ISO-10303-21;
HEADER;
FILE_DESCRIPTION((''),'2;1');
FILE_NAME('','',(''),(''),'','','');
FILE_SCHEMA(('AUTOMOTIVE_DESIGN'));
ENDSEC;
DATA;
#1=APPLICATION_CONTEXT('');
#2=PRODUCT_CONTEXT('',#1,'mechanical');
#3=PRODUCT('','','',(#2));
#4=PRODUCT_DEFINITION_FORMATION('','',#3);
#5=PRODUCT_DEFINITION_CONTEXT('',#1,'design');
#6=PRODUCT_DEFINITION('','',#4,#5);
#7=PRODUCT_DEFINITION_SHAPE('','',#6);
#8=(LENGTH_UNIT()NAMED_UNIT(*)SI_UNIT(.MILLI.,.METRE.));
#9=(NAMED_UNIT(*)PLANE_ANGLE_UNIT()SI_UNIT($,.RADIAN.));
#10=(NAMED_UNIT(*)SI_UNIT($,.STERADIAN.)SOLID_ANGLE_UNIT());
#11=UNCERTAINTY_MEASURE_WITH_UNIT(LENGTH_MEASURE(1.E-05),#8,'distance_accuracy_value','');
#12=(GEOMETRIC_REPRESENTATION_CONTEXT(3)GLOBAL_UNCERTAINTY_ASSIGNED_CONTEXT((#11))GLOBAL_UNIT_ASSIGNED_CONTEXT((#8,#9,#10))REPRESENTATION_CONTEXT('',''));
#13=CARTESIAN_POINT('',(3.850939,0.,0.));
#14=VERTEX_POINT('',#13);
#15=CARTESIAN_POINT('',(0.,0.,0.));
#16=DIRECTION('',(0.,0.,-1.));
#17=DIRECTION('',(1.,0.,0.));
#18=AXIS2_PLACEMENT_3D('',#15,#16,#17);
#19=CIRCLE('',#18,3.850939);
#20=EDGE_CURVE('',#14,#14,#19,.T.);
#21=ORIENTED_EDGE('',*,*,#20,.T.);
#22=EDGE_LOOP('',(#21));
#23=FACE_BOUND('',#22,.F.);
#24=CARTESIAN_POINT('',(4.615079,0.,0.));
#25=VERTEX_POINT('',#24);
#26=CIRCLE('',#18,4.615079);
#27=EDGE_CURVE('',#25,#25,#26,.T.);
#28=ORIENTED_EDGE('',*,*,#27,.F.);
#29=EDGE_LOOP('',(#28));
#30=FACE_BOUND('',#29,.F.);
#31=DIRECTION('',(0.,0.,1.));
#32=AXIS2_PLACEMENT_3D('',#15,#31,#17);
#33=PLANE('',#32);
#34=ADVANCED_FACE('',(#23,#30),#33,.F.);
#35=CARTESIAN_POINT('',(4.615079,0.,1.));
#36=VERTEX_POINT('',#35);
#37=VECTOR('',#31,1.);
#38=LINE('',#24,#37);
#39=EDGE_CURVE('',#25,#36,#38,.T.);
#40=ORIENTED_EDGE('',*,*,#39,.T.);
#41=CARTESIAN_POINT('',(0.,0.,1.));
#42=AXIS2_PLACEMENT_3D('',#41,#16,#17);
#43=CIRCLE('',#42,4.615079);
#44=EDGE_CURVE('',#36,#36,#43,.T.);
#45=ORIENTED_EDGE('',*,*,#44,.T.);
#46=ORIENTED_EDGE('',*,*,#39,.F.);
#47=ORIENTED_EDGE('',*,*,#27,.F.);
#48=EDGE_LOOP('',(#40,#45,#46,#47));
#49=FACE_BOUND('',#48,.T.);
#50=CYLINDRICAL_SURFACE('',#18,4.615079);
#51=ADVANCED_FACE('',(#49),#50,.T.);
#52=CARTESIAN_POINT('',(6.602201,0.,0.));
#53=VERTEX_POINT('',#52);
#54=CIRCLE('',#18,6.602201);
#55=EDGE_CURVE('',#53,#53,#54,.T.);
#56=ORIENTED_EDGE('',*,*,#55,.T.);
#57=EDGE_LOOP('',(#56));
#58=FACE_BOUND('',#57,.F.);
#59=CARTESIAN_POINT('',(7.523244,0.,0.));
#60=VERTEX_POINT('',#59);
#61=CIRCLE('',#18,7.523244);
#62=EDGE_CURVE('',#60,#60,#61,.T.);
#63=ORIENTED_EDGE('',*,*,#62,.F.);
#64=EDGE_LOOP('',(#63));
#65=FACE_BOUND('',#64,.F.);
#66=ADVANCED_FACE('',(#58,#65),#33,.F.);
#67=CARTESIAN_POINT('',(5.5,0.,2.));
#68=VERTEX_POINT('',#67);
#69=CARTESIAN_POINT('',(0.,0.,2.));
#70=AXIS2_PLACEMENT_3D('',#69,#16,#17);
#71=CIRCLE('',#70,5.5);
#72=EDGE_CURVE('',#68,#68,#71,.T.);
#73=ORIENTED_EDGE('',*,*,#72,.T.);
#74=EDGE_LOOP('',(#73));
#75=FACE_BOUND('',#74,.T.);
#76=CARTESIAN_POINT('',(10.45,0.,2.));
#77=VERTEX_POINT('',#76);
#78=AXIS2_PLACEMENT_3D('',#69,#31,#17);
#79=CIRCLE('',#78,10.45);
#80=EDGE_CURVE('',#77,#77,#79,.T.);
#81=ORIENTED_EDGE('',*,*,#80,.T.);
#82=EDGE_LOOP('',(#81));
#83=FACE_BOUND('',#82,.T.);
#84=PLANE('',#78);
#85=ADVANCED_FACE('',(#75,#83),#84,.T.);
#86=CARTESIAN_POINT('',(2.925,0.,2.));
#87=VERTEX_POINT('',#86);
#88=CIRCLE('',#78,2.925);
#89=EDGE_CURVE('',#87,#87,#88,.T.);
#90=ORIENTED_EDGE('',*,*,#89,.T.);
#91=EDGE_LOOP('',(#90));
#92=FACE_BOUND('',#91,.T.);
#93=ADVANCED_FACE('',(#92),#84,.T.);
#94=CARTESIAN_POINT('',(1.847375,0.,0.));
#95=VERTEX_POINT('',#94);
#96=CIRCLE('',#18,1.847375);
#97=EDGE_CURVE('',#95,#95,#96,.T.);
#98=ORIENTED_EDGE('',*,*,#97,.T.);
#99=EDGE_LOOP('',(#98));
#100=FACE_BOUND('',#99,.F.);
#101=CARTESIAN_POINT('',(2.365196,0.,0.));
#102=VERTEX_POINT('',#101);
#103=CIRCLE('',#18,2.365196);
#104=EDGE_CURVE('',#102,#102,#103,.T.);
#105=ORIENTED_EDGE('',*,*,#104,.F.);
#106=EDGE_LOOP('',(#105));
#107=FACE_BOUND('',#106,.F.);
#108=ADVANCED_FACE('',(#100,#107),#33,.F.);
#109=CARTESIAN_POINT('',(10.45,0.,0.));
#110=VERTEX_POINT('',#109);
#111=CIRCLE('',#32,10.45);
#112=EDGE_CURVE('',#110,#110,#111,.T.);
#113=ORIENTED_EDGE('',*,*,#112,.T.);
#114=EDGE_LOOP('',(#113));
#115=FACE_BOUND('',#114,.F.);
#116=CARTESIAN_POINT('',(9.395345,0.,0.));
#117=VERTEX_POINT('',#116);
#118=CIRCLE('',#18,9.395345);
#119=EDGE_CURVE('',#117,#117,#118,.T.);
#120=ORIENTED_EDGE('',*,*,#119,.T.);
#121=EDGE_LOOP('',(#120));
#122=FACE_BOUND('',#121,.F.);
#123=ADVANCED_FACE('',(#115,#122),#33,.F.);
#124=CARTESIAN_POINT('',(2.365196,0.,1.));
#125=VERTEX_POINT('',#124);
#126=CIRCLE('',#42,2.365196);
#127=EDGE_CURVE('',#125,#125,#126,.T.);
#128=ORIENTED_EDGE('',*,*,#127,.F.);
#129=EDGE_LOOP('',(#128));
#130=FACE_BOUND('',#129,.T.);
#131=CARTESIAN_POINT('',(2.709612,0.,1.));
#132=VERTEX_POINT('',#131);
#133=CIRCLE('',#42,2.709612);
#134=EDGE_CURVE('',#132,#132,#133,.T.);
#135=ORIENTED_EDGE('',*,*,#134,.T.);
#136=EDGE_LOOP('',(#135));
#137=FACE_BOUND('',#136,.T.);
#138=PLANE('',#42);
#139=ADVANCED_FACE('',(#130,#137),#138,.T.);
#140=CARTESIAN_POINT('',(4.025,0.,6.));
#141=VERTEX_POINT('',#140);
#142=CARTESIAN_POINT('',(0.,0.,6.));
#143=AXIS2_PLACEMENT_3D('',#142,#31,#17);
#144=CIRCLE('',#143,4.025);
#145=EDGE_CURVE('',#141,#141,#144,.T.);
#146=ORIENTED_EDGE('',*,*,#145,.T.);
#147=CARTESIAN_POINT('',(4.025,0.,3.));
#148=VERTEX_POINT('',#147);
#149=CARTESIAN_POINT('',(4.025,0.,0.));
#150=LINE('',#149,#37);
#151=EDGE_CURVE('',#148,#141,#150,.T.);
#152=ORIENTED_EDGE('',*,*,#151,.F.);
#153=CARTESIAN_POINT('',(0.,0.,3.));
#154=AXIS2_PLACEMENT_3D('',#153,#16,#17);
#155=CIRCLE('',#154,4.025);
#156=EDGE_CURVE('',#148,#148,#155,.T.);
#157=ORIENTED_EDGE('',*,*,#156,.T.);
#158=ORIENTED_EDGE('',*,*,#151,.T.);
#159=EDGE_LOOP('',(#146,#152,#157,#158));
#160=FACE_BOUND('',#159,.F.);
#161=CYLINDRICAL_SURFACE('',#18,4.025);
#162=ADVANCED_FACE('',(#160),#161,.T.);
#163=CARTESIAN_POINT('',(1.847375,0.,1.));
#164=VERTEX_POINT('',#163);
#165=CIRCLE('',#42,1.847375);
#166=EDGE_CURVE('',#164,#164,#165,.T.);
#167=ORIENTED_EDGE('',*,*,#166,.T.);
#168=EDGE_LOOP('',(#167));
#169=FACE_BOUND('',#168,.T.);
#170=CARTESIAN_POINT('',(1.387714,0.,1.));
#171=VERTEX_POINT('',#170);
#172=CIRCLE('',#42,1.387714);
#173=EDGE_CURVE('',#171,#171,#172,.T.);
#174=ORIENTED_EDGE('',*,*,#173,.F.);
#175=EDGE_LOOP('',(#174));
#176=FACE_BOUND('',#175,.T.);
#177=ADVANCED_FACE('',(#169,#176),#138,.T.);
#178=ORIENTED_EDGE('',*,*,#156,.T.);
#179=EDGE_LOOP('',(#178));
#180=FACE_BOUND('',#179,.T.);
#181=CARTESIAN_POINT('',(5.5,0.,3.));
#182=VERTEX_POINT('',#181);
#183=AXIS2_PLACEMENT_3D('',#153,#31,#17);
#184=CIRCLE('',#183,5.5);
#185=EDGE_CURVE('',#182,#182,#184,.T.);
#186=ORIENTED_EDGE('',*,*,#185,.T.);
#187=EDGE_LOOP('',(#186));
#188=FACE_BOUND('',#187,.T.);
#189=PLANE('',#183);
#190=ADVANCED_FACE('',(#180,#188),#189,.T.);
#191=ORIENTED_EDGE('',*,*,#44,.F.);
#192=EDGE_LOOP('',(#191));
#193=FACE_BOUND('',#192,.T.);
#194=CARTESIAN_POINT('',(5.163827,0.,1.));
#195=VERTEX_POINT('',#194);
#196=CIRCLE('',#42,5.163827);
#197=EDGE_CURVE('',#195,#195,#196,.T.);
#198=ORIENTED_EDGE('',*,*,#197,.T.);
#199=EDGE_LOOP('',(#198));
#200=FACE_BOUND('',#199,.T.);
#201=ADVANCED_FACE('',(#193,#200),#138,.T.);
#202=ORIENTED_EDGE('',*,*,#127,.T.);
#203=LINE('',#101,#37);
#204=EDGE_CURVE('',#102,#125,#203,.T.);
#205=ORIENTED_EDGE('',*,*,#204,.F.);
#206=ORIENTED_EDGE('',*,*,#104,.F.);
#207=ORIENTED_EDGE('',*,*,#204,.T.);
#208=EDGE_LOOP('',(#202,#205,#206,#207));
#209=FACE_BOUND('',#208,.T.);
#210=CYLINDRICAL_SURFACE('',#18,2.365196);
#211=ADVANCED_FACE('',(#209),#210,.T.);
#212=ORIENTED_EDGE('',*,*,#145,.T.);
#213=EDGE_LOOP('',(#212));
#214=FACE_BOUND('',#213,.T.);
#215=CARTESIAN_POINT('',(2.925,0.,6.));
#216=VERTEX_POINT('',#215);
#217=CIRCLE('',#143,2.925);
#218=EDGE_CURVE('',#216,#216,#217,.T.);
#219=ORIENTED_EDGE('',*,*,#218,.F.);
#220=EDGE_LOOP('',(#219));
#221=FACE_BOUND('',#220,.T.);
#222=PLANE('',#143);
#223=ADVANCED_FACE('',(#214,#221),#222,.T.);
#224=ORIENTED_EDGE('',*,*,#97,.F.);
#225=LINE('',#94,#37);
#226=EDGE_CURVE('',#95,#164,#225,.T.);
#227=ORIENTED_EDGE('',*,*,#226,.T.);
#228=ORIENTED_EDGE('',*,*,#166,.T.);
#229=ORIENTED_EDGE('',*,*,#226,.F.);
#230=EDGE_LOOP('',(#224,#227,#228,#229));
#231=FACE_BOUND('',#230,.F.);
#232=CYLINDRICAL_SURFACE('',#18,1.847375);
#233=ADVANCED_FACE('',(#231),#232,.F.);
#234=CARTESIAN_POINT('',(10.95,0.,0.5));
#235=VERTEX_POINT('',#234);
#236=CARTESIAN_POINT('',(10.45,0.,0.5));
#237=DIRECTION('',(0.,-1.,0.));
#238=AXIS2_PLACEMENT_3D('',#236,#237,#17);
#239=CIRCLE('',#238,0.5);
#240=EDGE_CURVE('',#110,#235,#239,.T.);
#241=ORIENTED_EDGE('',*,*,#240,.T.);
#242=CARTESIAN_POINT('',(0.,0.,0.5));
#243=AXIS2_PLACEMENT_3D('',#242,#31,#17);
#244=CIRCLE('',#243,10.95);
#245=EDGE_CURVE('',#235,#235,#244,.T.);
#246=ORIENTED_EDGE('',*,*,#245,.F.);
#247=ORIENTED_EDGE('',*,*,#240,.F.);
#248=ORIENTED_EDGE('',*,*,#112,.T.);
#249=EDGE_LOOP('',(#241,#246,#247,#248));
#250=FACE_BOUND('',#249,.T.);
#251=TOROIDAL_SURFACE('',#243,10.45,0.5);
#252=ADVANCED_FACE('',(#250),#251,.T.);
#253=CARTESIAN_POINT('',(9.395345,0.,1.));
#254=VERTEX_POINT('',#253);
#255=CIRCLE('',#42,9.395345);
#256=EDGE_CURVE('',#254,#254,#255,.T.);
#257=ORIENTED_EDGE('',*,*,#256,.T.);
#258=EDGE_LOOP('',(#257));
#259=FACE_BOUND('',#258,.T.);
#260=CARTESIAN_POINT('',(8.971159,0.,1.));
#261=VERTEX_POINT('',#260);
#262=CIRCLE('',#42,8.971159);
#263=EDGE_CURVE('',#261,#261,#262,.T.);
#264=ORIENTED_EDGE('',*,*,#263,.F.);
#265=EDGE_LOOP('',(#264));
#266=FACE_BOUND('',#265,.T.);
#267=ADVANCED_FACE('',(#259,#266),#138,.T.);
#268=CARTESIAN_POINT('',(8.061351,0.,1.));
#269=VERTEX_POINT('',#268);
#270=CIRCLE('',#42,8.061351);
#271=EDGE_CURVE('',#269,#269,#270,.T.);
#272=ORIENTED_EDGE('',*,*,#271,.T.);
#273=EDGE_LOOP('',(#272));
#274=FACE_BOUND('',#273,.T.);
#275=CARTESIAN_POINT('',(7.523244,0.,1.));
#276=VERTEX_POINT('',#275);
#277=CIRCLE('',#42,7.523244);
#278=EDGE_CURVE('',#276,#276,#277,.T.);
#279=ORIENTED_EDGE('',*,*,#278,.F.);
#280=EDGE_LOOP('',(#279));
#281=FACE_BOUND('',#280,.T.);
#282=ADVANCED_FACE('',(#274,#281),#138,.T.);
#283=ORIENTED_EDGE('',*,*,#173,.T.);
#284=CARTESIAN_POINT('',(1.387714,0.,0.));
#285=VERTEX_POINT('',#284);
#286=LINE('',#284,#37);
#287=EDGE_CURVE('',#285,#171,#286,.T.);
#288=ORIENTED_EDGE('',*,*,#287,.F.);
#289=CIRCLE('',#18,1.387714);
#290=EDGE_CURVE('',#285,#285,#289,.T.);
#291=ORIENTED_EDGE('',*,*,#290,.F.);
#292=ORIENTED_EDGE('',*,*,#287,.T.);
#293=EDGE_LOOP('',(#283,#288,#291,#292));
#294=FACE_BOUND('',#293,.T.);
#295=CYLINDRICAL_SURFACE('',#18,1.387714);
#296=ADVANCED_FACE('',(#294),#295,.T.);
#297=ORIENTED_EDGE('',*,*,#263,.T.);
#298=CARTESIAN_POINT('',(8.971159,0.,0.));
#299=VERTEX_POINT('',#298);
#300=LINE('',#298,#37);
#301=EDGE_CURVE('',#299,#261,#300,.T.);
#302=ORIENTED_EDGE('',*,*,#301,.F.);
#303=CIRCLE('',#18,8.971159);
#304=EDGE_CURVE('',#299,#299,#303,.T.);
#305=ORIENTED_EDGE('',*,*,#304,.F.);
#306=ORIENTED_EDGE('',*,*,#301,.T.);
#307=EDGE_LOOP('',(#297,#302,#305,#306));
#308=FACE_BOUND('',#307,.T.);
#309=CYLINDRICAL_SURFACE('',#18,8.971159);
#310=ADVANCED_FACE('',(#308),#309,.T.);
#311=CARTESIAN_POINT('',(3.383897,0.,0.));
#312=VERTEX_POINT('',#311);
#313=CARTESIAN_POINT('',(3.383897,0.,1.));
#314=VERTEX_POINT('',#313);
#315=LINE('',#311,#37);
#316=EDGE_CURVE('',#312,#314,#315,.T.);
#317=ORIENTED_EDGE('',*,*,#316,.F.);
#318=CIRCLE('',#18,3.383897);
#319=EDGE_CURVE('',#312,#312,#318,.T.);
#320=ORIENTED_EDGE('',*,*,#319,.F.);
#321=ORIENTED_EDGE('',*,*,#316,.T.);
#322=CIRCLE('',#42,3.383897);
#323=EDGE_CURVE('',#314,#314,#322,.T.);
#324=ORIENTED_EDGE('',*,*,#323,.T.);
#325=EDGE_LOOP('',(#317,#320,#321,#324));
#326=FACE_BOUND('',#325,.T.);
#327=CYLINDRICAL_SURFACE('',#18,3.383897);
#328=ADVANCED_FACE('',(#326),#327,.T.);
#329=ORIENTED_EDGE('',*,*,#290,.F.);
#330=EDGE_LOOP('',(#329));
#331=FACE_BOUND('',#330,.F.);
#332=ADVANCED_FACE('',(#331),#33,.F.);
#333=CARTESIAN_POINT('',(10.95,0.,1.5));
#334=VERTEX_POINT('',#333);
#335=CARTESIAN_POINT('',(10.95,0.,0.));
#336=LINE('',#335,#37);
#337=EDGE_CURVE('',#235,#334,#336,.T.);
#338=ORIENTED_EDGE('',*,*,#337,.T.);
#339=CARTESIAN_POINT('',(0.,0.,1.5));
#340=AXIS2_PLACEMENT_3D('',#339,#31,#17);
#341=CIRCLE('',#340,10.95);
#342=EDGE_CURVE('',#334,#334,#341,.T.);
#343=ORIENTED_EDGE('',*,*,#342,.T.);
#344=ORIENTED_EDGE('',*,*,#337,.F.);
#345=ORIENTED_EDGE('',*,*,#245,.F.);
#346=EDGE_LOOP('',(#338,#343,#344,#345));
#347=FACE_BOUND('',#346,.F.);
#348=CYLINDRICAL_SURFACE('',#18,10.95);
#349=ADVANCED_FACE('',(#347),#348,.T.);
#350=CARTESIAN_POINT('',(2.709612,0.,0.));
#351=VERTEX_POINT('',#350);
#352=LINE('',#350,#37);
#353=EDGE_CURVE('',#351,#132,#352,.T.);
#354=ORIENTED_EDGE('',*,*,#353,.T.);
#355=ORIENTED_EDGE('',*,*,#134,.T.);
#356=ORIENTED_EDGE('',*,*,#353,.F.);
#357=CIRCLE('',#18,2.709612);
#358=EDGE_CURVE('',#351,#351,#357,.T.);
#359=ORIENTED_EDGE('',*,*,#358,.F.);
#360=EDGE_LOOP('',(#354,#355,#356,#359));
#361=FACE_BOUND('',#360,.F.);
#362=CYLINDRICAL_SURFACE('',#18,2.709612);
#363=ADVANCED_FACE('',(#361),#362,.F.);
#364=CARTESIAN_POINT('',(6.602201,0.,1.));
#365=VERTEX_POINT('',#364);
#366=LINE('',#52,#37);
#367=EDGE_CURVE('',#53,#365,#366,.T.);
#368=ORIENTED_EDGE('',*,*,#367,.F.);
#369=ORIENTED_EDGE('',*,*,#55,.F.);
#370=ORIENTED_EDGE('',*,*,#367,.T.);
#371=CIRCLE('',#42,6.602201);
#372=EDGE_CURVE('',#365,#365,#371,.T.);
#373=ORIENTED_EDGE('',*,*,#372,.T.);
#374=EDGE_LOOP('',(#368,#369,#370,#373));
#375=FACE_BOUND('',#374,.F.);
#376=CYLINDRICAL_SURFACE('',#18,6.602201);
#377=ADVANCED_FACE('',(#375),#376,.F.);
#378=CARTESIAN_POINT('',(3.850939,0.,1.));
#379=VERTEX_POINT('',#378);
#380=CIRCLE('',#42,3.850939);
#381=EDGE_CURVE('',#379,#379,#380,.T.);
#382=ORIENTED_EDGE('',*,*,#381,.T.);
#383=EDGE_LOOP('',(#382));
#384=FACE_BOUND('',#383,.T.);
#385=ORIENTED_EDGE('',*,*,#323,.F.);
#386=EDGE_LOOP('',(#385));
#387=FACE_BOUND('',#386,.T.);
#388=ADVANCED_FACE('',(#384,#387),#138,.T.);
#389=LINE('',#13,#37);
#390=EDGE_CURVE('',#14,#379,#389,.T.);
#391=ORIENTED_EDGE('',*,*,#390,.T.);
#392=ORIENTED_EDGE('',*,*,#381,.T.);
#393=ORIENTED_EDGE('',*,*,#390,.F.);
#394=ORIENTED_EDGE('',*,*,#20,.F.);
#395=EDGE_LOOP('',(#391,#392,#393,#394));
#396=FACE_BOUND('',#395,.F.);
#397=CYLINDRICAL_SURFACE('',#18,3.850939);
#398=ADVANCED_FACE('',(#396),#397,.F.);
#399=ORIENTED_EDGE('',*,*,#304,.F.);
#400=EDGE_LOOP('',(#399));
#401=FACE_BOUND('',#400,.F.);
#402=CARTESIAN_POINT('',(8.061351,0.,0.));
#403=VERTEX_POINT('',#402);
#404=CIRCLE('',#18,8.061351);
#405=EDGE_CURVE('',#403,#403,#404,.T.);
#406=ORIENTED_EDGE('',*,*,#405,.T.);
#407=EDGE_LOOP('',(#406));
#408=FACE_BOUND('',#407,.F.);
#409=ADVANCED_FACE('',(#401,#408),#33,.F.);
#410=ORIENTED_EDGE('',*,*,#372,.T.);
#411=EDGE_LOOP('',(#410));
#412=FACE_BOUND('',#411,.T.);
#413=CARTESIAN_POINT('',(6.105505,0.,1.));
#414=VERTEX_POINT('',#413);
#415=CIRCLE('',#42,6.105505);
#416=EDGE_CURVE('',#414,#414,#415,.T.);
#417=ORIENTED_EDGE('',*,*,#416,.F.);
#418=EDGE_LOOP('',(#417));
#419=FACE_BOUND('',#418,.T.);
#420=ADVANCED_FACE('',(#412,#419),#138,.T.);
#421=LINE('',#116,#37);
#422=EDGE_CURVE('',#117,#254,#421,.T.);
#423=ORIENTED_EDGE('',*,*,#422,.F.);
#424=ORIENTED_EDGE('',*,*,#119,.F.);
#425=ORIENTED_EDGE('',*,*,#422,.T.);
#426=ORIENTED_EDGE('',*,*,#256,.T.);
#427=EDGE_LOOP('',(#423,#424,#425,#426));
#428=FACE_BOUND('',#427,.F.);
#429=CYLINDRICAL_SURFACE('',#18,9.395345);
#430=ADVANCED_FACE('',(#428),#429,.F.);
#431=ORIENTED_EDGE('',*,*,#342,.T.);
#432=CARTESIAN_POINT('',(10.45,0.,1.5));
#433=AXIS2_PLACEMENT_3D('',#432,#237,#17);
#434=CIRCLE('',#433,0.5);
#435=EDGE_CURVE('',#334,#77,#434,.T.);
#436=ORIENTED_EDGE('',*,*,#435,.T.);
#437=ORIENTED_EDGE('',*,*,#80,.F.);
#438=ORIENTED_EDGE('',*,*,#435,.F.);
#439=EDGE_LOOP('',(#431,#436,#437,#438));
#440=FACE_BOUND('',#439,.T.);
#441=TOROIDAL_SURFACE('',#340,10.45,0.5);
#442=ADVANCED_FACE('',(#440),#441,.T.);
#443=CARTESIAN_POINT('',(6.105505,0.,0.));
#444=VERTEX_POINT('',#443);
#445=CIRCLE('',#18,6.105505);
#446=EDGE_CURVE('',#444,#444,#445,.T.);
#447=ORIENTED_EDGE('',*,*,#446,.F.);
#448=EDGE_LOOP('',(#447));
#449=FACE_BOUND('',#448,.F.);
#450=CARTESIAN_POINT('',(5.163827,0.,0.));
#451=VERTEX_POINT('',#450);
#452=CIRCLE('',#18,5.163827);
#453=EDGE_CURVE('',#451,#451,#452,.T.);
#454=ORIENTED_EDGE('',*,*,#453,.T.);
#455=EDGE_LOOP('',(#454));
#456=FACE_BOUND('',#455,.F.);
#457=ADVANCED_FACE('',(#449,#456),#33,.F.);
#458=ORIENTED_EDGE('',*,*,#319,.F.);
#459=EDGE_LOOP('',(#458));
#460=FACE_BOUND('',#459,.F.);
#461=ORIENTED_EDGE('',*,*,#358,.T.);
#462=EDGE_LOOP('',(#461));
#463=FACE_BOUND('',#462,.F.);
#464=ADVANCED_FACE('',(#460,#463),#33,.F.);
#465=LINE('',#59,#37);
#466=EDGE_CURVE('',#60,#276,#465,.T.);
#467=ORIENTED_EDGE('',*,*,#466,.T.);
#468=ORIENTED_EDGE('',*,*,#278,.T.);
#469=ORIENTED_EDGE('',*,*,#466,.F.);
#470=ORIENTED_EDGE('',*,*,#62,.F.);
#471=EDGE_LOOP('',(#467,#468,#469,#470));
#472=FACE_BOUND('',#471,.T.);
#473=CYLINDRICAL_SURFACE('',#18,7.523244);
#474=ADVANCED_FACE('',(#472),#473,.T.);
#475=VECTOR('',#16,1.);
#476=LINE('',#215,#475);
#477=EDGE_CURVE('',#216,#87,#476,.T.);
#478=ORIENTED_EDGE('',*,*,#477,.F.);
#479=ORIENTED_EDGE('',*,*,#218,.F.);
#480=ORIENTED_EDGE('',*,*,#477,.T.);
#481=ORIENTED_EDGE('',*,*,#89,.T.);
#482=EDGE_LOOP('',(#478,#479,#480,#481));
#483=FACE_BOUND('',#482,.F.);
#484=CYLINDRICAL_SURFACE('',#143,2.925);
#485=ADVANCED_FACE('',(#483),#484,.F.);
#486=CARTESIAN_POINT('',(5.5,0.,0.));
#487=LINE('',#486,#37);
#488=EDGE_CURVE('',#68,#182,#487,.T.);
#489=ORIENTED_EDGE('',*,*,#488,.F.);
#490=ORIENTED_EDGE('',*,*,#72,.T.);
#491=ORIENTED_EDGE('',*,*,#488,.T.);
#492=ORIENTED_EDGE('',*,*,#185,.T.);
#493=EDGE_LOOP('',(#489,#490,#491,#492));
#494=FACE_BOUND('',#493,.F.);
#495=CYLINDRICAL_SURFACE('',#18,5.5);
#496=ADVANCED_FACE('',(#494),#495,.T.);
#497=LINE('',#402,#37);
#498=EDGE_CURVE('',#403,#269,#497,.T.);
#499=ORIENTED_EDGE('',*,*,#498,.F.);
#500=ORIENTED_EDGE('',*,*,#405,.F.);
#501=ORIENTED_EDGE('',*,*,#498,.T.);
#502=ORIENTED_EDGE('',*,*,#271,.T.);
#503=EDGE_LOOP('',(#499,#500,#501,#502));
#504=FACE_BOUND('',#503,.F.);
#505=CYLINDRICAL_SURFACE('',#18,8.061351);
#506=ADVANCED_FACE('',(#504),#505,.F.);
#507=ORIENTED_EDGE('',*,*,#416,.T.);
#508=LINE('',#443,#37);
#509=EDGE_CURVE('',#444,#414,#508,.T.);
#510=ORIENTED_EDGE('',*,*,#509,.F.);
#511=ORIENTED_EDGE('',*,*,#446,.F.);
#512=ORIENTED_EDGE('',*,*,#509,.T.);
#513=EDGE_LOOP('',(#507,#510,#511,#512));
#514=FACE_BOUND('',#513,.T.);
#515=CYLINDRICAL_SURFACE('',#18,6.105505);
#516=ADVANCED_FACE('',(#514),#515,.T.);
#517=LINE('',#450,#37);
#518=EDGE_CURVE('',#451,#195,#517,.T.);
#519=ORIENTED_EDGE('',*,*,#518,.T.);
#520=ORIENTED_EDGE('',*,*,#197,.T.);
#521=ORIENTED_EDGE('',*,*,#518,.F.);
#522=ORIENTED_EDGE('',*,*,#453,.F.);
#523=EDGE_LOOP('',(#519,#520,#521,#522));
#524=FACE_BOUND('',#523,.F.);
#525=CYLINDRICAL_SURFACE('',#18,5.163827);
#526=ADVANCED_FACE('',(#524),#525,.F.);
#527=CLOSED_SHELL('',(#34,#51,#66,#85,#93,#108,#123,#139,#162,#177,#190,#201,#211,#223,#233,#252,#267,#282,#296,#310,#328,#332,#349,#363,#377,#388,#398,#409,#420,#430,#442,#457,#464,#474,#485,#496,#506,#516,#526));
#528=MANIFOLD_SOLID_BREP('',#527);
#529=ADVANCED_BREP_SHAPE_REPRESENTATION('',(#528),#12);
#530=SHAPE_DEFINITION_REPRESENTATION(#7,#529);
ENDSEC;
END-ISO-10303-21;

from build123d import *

# Parameters (mm, degrees)
F0_R      = 10.95
F0_R_2    = 0.069
F3_DEPTH  = 2
F1_R      = 5.5
F4_DEPTH  = 3
F2_R      = 4.025
F5_DEPTH  = 6
F6_R      = 0.5
F7_R      = 2.925
F8_DEPTH  = 4
F9_R      = 9.395345
F9_R_2    = 8.971159
F9_R_3    = 8.061351
F9_R_4    = 7.523244
F9_R_5    = 6.602201
F9_R_6    = 6.105505
F9_R_7    = 5.163827
F9_R_8    = 4.615079
F9_R_9    = 3.850939
F9_R_10   = 3.383897
F9_R_11   = 2.709612
F9_R_12   = 2.365196
F9_R_13   = 1.847375
F9_R_14   = 1.387714
F10_DEPTH = 1


with BuildPart() as f3:
    # F0 (on Top) → F3 (new body)
    with BuildSketch(Plane.XY):
        Circle(F0_R)
        Circle(F0_R_2, mode=Mode.SUBTRACT)
    extrude(amount=F3_DEPTH)

    # F1 (on Top) → F4 (join)
    with BuildSketch(Plane.XY):
        Circle(F1_R)
    extrude(amount=F4_DEPTH)

    # F2 (on Top) → F5 (join)
    with BuildSketch(Plane.XY):
        Circle(F2_R)
    extrude(amount=F5_DEPTH)

    # F6
    f6_edges = [f3.edges().sort_by_distance(p)[0] for p in [
        (10.95, 0, 1),
        (-10.95, 0, 0),
        (-10.95, 0, 2),
    ]]
    fillet(f6_edges, radius=F6_R)

    # F7 (on face) → F8 (cut)
    with BuildSketch(Plane.XY.offset(6)):
        Circle(F7_R)
    extrude(amount=-F8_DEPTH, mode=Mode.SUBTRACT)

    # F9 (on face) → F10 (cut)
    with BuildSketch(Plane(origin=(0, 0, 0), x_dir=(1, 0, 0), z_dir=(0, 0, -1))):
        Circle(F9_R)
        Circle(F9_R_2, mode=Mode.SUBTRACT)
        Circle(F9_R_3)
        Circle(F9_R_4, mode=Mode.SUBTRACT)
        Circle(F9_R_5)
        Circle(F9_R_6, mode=Mode.SUBTRACT)
        Circle(F9_R_7)
        Circle(F9_R_8, mode=Mode.SUBTRACT)
        Circle(F9_R_9)
        Circle(F9_R_10, mode=Mode.SUBTRACT)
        Circle(F9_R_11)
        Circle(F9_R_12, mode=Mode.SUBTRACT)
        Circle(F9_R_13)
        Circle(F9_R_14, mode=Mode.SUBTRACT)
    extrude(amount=-F10_DEPTH, mode=Mode.SUBTRACT)


solid = f3.part
